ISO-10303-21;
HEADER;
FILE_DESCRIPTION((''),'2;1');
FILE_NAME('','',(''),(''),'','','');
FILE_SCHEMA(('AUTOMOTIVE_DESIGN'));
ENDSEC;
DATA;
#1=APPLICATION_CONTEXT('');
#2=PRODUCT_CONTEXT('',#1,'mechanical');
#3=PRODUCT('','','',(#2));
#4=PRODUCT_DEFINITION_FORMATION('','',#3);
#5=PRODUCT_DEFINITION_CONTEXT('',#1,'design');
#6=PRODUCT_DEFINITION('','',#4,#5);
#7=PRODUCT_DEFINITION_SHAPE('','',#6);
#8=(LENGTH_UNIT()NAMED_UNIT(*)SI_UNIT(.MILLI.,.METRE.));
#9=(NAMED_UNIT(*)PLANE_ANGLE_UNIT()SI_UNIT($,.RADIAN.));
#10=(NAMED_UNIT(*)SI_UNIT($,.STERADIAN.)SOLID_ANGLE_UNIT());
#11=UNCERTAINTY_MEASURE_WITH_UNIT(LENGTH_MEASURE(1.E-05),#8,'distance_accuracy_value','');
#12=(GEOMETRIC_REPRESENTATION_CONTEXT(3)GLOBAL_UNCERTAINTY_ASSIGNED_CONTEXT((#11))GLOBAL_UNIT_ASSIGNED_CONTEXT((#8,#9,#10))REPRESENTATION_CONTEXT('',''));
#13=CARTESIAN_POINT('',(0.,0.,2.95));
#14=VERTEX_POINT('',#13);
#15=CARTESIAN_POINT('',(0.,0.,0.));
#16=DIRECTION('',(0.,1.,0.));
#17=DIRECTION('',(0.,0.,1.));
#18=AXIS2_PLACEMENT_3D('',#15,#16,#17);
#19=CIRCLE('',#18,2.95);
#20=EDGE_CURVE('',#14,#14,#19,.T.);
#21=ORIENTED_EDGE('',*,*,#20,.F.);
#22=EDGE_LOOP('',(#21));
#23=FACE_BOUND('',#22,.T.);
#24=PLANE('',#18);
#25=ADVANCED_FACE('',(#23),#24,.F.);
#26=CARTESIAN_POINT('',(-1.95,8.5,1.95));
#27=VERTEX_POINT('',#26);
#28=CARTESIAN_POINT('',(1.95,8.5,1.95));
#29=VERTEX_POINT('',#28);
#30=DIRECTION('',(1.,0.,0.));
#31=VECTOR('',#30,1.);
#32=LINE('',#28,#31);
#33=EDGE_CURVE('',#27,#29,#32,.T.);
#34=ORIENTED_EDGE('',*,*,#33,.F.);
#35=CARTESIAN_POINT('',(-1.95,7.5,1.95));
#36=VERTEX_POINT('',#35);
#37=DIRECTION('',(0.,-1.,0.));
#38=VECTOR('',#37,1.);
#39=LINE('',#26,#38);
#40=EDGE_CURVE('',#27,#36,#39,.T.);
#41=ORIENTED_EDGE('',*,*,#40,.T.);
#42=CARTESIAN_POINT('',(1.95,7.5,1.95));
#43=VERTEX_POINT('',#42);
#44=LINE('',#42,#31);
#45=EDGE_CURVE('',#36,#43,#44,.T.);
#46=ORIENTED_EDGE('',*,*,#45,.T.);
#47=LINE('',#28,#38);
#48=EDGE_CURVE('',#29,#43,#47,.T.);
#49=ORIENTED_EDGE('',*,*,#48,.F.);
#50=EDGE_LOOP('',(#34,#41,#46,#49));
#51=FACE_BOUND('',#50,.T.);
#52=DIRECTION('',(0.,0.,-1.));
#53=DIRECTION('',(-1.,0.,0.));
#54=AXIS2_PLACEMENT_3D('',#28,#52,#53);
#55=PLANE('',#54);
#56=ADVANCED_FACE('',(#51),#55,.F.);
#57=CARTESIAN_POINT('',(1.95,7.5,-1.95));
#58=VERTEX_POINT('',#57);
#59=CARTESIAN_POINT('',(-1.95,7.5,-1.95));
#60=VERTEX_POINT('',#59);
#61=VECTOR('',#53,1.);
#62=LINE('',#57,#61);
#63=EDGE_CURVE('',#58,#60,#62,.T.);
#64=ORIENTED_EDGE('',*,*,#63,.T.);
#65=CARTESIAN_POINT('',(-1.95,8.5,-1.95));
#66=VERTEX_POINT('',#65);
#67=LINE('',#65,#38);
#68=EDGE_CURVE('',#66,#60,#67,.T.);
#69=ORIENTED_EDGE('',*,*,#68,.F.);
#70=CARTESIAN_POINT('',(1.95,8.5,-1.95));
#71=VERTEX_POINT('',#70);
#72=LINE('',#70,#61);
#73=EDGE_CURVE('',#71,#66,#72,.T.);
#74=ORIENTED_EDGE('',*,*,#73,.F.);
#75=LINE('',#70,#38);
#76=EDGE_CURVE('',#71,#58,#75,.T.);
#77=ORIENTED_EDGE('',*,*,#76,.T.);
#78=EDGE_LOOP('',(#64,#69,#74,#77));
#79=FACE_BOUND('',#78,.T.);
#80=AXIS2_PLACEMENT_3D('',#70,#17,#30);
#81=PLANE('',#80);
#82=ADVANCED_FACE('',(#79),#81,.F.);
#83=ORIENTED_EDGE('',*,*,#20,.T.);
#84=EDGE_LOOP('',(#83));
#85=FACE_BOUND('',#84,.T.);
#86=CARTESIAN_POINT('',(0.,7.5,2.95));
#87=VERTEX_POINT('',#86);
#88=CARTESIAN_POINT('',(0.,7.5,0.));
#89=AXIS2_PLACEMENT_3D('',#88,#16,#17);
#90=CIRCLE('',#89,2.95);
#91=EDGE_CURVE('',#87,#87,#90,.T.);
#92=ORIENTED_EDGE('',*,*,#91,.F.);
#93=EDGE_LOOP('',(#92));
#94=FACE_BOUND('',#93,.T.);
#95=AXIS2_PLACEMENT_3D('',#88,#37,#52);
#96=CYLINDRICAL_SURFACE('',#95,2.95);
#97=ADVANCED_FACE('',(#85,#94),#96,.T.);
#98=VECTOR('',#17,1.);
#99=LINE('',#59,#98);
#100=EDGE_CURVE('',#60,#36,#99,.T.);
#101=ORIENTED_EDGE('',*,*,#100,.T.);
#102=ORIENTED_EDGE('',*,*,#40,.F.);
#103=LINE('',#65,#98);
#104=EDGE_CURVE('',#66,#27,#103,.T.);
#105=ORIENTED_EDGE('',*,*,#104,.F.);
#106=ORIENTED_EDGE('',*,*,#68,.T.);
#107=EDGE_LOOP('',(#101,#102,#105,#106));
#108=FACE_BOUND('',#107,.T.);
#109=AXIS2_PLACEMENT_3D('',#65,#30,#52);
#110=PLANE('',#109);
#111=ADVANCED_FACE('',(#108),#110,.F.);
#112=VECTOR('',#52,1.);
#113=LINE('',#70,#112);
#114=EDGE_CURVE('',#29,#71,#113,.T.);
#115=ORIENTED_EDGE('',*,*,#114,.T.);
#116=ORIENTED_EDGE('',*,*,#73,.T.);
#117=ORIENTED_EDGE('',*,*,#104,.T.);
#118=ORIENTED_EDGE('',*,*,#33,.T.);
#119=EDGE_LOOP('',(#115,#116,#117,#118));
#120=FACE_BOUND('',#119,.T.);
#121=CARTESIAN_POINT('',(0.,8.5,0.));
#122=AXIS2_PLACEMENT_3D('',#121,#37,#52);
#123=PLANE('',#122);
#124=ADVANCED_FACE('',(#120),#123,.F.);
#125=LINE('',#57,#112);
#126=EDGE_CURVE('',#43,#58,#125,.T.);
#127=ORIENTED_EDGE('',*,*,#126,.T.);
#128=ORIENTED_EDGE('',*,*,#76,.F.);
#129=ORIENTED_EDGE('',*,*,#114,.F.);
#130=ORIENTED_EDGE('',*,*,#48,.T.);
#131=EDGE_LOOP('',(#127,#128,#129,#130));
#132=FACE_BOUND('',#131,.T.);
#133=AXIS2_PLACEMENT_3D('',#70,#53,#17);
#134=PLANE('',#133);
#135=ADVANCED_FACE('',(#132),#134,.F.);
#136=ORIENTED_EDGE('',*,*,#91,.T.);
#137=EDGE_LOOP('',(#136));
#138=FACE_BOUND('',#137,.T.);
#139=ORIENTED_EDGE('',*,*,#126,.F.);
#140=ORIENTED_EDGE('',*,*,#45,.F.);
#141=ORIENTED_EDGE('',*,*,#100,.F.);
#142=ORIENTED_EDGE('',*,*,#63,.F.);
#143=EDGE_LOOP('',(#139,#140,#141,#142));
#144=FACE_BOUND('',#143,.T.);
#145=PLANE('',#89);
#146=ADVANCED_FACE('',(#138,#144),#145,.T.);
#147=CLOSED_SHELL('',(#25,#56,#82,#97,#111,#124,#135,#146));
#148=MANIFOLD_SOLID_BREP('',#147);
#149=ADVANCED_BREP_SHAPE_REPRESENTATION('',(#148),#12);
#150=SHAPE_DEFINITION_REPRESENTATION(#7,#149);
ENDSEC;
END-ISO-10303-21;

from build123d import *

# Parameters (mm, degrees)
SKETCH1_R           = 2.95
BOSS_EXTRUDE1_DEPTH = 7.5
SKETCH2_W           = 3.9
SKETCH2_H           = 3.9
BOSS_EXTRUDE3_DEPTH = 1


with BuildPart() as part:
    # Sketch1 → Boss-Extrude1 (new body)
    with BuildSketch(Plane(origin=(0, 0, 0), x_dir=(1, 0, 0), z_dir=(0, 1, 0))):
        with Locations(Location((0, 0, 0), (0, 0, 270))):
            Circle(SKETCH1_R)
    extrude(amount=BOSS_EXTRUDE1_DEPTH)

    # Sketch2 → Boss-Extrude3 (add)
    with BuildSketch(Plane(origin=(0, 7.5, 0), x_dir=(1, 0, 0), z_dir=(0, 1, 0))):
        Rectangle(SKETCH2_W, SKETCH2_H)
    extrude(amount=BOSS_EXTRUDE3_DEPTH)


solid = part.part
